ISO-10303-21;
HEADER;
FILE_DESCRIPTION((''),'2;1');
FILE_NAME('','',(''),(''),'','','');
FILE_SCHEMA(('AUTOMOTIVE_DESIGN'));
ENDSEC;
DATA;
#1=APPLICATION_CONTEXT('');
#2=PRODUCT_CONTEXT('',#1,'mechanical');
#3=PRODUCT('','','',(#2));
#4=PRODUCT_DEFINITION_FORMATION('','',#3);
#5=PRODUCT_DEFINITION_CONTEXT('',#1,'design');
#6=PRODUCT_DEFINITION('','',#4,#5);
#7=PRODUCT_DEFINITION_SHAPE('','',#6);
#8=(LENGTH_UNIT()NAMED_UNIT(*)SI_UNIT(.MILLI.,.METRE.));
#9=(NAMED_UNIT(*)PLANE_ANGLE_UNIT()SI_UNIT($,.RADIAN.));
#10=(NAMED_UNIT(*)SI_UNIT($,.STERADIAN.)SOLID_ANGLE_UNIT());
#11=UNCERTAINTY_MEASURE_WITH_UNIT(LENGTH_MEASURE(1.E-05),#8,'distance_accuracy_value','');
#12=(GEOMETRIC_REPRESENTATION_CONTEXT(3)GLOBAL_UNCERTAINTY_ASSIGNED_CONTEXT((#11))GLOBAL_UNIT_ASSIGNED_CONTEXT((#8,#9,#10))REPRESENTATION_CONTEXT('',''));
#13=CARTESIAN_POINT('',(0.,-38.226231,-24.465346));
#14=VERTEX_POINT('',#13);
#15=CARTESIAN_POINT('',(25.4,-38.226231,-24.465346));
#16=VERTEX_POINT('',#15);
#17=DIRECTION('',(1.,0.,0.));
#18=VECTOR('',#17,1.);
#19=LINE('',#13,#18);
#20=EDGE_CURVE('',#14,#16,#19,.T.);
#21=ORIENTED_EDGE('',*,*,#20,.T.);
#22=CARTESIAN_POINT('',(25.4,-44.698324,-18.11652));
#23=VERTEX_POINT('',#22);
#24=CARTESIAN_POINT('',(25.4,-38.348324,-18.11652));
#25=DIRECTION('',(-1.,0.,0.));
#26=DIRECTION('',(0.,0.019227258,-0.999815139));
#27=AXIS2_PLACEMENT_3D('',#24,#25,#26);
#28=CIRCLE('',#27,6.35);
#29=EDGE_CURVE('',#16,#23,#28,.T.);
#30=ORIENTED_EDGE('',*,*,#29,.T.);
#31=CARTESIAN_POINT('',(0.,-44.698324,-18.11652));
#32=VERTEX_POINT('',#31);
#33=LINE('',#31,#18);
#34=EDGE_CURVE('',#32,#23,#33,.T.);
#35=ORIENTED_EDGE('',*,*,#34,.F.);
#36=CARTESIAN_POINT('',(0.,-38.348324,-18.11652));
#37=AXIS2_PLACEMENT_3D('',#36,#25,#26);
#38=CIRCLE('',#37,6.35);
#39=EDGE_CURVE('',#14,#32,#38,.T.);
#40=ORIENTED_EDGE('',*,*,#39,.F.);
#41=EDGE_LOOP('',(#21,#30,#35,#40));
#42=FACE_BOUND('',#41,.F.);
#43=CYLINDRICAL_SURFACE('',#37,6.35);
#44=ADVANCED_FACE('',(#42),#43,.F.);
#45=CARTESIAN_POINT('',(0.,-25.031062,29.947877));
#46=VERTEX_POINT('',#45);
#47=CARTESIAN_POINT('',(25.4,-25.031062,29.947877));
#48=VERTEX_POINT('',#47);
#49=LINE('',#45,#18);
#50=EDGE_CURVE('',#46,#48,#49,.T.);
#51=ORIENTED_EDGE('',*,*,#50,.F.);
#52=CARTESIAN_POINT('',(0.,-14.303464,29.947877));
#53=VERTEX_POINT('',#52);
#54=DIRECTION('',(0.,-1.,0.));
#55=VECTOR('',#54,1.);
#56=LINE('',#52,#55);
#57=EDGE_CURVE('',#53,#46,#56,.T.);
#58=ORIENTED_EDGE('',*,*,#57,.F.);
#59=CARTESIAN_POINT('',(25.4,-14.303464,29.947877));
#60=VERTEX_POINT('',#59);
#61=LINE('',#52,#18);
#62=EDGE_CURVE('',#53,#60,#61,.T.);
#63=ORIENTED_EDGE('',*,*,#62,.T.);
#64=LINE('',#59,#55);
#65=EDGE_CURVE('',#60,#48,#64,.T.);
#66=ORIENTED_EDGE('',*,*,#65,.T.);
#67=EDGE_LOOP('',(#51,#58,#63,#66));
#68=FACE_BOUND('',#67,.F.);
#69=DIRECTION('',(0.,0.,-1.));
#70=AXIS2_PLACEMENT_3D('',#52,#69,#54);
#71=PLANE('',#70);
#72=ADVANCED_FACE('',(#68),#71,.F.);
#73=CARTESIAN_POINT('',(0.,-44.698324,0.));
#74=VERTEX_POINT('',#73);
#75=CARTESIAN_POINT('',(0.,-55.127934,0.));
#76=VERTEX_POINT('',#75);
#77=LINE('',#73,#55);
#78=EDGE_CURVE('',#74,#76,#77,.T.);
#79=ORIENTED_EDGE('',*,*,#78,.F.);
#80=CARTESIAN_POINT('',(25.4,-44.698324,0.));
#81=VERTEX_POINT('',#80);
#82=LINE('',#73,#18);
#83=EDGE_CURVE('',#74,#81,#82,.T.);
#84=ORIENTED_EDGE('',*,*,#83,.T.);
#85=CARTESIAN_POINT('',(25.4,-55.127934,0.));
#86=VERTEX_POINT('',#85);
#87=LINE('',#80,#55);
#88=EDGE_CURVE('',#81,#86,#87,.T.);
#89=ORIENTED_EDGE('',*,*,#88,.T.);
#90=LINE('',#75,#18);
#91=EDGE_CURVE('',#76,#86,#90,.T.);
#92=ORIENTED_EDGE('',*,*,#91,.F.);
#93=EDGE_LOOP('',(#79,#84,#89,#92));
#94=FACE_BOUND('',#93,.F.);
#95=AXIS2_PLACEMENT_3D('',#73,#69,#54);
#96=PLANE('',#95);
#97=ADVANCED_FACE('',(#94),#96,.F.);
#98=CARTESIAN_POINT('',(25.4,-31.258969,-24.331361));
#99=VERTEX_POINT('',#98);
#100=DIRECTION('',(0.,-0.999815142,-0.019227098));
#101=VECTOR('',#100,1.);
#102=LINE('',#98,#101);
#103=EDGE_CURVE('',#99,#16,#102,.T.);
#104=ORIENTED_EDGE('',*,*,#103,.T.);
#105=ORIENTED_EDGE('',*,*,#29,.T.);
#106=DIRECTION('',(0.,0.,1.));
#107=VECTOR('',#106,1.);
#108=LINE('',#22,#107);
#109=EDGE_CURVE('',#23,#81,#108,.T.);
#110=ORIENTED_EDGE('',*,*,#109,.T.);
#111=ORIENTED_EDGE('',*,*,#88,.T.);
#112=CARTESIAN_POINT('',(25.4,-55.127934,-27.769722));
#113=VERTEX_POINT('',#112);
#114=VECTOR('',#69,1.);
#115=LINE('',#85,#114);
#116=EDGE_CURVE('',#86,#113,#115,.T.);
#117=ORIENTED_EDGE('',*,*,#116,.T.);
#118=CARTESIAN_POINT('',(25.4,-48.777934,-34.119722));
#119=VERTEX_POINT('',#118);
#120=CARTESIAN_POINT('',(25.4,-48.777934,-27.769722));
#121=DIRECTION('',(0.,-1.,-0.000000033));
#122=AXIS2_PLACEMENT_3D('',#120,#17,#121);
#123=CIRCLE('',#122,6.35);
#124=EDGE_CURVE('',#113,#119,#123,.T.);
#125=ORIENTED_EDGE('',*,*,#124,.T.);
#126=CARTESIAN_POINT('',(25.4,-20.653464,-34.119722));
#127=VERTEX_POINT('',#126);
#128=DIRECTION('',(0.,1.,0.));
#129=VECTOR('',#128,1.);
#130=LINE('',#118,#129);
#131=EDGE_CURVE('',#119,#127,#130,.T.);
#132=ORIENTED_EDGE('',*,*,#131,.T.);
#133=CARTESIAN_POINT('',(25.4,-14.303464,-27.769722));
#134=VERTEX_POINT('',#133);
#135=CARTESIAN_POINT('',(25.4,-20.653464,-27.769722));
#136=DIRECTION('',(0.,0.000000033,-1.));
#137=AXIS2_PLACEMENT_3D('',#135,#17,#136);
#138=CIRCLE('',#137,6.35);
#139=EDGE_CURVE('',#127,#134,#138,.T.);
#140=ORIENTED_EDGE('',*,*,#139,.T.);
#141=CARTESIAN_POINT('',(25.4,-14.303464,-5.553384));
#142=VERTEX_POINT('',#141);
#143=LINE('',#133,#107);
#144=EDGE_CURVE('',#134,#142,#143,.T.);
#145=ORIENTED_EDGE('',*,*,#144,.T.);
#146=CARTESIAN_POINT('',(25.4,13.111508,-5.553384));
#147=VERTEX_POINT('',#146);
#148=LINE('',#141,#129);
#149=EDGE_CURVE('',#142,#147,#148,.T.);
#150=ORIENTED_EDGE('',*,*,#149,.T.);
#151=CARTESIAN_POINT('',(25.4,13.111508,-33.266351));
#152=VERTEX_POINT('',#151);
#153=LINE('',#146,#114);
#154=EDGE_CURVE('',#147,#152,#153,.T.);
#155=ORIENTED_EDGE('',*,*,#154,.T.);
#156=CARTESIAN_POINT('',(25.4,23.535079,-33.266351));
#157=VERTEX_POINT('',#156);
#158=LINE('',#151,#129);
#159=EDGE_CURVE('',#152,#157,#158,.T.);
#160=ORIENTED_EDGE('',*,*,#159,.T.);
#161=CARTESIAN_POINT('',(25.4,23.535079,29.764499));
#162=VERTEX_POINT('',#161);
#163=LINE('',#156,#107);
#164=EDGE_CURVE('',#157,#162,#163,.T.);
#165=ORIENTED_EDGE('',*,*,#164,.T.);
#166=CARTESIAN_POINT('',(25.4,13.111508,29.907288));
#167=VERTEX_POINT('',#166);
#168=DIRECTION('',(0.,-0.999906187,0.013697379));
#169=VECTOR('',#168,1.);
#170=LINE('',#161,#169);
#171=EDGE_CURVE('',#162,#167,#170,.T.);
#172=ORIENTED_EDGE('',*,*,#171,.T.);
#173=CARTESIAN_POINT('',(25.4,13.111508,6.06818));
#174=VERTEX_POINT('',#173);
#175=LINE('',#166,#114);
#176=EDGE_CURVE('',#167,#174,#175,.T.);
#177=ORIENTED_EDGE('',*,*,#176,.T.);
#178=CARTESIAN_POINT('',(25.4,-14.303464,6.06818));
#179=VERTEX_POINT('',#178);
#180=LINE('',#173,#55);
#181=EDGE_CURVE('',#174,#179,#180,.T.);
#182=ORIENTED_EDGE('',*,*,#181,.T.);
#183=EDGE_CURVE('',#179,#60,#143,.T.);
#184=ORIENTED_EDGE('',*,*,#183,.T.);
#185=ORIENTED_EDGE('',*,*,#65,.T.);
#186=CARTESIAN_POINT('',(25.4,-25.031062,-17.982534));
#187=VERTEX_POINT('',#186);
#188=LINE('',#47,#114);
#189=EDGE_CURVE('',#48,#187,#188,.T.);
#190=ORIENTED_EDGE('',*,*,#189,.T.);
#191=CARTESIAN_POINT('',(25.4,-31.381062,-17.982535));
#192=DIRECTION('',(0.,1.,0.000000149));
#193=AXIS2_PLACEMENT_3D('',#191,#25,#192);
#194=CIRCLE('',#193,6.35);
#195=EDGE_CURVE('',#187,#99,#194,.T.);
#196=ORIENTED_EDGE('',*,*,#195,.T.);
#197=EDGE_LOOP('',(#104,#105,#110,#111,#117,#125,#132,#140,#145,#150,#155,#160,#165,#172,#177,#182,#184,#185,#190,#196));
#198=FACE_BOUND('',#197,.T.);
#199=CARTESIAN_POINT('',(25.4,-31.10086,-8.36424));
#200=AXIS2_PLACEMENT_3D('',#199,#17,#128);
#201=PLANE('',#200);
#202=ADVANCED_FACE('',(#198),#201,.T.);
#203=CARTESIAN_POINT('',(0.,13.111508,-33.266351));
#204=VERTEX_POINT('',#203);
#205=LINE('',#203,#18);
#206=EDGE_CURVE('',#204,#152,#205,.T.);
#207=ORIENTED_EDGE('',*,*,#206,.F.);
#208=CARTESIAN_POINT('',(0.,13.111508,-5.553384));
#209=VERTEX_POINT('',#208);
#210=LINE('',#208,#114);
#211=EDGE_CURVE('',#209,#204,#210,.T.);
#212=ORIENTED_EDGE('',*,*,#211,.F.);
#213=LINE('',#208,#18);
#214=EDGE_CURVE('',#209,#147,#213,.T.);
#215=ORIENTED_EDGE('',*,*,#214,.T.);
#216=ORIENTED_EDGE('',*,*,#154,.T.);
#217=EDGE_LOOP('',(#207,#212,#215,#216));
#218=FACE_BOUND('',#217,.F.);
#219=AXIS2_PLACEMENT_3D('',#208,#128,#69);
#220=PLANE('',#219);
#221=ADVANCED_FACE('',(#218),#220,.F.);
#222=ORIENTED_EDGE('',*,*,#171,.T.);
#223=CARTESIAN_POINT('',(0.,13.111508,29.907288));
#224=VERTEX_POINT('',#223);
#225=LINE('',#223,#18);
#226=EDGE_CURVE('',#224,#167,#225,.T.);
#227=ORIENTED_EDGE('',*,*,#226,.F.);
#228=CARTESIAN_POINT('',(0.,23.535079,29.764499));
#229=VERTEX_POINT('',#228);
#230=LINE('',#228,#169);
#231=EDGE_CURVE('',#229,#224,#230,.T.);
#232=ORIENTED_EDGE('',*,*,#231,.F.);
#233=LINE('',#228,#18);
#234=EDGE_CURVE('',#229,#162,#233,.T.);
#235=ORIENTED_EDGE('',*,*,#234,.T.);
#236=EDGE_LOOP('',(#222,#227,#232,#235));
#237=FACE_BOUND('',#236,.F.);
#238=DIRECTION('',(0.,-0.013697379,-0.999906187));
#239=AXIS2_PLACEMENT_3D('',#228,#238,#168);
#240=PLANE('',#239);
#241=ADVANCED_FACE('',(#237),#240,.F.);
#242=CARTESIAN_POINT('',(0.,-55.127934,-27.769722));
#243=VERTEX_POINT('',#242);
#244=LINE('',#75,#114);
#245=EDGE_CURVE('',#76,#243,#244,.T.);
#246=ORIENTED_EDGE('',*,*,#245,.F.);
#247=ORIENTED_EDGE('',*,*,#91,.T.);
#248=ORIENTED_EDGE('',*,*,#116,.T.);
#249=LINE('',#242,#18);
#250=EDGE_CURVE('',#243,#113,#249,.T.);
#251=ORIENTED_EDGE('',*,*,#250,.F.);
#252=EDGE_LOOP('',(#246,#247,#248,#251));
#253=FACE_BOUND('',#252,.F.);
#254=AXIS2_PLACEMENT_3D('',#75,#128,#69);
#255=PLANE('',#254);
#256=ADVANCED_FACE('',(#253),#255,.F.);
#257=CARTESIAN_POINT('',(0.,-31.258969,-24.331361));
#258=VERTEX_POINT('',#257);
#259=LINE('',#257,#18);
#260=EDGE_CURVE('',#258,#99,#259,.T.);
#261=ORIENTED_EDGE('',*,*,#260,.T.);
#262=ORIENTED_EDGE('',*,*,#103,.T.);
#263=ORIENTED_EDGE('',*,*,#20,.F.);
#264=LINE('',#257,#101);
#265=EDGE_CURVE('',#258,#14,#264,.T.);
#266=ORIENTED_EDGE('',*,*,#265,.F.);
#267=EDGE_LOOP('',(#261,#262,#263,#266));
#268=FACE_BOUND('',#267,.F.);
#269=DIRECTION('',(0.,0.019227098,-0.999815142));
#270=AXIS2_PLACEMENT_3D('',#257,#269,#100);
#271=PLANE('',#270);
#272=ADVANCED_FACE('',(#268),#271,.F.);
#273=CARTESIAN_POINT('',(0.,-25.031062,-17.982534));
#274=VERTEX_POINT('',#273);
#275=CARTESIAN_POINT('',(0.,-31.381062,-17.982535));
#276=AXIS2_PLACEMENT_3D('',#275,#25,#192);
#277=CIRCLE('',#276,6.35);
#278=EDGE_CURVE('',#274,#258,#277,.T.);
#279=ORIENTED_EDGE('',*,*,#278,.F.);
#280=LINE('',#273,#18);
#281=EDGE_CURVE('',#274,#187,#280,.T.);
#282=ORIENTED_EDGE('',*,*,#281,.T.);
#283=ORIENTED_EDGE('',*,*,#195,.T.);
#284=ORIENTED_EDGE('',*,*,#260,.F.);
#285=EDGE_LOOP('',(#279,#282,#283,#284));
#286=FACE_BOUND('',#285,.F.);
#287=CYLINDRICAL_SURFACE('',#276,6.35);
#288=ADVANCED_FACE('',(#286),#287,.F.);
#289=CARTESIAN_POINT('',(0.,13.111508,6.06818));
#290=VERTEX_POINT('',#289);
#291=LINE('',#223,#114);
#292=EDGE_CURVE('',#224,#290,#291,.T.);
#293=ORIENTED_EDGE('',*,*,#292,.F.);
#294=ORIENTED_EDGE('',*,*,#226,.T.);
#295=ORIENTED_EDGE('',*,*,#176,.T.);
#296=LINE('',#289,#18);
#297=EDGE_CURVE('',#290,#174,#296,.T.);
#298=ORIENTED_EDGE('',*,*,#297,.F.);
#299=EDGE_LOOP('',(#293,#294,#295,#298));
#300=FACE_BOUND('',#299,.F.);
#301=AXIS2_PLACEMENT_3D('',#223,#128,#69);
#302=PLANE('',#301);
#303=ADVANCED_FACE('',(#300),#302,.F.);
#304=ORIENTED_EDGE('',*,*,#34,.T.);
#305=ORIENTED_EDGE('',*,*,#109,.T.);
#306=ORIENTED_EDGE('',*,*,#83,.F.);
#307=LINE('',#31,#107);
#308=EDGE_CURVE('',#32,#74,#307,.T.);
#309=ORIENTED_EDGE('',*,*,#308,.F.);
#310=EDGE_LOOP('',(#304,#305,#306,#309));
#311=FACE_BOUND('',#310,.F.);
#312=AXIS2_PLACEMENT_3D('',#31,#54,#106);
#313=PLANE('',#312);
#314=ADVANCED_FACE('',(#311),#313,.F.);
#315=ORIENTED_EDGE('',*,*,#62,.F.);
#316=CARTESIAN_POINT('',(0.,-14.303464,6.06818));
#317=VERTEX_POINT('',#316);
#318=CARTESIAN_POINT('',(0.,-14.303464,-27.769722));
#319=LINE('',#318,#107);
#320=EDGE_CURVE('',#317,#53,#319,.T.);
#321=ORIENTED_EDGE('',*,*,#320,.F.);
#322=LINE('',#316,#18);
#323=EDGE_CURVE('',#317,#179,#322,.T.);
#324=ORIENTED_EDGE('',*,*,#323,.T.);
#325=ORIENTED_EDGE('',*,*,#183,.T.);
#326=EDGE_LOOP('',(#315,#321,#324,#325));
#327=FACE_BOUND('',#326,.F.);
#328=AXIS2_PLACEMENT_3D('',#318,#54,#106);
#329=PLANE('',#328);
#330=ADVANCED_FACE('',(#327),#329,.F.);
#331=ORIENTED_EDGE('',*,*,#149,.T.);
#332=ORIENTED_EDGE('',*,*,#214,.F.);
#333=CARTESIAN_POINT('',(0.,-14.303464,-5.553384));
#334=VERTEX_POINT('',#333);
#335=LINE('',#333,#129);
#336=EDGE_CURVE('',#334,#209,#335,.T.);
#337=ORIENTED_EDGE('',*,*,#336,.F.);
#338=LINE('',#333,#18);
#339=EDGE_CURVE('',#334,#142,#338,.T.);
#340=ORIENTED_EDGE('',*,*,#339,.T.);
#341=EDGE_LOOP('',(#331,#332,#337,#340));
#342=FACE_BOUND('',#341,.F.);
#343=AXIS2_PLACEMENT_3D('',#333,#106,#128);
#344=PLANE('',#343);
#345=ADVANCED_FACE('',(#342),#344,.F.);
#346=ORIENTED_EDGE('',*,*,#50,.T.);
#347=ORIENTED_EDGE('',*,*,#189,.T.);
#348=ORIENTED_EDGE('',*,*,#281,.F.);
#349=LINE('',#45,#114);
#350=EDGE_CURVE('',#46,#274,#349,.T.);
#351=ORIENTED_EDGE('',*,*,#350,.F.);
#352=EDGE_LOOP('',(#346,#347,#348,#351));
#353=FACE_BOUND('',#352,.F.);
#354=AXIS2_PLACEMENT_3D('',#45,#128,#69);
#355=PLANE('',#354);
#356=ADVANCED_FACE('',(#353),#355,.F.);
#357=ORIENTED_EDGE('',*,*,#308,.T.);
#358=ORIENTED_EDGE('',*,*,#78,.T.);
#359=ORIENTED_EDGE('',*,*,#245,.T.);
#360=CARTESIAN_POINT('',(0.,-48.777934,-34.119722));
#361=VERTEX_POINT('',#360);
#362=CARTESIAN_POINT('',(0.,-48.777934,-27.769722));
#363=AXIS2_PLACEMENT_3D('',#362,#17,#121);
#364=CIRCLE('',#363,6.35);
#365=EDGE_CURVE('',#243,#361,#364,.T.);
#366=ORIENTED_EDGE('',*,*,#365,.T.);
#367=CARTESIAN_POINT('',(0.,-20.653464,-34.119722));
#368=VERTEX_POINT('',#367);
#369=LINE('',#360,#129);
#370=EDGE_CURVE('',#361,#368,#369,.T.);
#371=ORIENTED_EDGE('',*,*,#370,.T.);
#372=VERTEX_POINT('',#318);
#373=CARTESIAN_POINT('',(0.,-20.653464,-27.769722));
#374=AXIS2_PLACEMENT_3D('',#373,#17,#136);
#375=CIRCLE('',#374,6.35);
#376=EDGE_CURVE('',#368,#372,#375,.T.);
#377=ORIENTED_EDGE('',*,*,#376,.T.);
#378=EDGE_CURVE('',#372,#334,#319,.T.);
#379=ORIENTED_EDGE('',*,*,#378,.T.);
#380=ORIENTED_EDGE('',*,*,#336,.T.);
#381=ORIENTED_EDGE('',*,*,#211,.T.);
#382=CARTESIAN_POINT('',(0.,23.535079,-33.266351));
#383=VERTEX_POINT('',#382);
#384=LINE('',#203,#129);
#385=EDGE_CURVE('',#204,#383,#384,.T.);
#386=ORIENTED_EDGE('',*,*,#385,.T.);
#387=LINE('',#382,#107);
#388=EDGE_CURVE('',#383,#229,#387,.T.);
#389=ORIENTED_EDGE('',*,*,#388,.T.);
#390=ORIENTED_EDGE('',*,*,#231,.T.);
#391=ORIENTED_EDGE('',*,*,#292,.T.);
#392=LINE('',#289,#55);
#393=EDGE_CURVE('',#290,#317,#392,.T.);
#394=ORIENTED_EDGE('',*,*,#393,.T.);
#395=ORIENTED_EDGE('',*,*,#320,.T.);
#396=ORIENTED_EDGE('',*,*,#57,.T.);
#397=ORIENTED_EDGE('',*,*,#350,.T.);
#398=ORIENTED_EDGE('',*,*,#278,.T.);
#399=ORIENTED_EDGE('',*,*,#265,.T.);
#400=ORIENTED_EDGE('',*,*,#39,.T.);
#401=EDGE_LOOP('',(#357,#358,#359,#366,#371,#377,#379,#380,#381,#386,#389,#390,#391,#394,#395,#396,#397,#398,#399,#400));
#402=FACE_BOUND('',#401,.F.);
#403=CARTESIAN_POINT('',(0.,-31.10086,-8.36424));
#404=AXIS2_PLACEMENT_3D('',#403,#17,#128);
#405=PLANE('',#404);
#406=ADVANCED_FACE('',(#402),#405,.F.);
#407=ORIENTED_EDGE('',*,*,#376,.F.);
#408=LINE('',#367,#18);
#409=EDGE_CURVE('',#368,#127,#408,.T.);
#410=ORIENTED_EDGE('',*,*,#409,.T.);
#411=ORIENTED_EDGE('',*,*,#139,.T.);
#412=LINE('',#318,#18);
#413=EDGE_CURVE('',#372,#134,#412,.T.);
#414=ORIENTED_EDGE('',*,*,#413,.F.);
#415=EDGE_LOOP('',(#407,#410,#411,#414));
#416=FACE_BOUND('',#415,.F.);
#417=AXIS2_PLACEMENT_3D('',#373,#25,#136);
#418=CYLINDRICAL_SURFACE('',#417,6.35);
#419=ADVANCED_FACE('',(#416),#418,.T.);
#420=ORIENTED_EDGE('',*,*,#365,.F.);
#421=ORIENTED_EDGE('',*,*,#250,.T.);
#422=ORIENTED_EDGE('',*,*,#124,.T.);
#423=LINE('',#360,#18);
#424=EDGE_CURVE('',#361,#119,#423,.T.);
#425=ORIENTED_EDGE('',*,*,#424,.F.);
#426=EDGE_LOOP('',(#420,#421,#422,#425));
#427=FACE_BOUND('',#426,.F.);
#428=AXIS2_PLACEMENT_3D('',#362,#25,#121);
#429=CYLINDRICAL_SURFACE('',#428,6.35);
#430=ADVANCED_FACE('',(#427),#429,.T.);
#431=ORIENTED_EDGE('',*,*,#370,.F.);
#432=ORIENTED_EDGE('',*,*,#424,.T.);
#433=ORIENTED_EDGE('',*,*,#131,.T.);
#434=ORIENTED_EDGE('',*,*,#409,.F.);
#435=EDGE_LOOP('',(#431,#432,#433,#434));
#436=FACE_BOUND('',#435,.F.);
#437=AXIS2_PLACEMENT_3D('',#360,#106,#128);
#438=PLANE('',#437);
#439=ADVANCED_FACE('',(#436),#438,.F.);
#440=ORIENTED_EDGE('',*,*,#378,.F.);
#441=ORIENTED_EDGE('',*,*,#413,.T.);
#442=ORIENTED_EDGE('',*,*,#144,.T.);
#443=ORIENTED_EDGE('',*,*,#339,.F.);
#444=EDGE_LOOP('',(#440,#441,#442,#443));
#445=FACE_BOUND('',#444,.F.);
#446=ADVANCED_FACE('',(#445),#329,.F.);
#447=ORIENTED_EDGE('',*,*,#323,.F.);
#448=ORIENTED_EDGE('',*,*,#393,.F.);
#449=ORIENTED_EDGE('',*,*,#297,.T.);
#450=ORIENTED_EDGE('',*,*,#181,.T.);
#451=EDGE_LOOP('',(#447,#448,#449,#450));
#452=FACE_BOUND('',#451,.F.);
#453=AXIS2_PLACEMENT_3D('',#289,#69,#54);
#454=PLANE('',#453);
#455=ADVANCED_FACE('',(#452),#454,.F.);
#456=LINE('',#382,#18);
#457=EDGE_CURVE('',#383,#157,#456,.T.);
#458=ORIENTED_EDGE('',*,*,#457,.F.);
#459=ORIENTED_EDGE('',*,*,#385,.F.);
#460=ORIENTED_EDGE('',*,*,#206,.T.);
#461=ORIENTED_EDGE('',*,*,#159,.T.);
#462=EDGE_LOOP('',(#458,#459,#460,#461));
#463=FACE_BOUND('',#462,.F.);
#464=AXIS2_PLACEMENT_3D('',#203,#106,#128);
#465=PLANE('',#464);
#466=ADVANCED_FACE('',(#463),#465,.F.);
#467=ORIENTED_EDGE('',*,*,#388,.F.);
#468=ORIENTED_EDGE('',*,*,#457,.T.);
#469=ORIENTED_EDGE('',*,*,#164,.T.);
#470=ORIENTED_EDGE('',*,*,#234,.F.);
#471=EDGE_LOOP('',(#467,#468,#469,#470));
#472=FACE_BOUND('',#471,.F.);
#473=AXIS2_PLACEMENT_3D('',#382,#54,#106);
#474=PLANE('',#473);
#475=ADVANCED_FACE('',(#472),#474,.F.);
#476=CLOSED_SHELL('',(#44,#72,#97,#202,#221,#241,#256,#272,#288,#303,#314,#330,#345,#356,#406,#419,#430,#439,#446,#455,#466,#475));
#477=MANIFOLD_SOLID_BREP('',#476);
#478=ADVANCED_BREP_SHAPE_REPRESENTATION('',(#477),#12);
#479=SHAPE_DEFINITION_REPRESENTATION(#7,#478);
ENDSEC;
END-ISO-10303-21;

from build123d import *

# Parameters (mm, degrees)
F1_DEPTH = 25.4
F2_DEPTH = 25.4


with BuildPart() as f1:
    # F0 (on Right) → F1 (new body)
    with BuildSketch(Plane.YZ):
        with BuildLine():
            Line((-14.303464, 29.947877), (-25.031062, 29.947877))
            Line((-25.031062, 29.947877), (-25.031062, -17.982534))
            ThreePointArc((-25.031062, -17.982534), (-26.847973, -22.429287), (-31.258969, -24.331361))
            Line((-31.258969, -24.331361), (-38.226231, -24.465346))
            ThreePointArc((-38.226231, -24.465346), (-42.795076, -22.649609), (-44.698324, -18.11652))
            Line((-44.698324, -18.11652), (-44.698324, 0))
            Line((-44.698324, 0), (-55.127934, 0))
            Line((-55.127934, 0), (-55.127934, -27.769722))
            ThreePointArc((-55.127934, -27.769722), (-53.268062, -32.25985), (-48.777934, -34.119722))
            Line((-48.777934, -34.119722), (-20.653464, -34.119722))
            ThreePointArc((-20.653464, -34.119722), (-16.163336, -32.25985), (-14.303464, -27.769722))
            Line((-14.303464, -27.769722), (-14.303464, -5.553384))
            Line((-14.303464, -5.553384), (-14.303464, 6.06818))
            Line((-14.303464, 6.06818), (-14.303464, 29.947877))
        make_face()
    extrude(amount=F1_DEPTH)

    # F0 (on Right) → F2 (join)
    with BuildSketch(Plane.YZ):
        with BuildLine():
            Line((-14.303464, 29.947877), (-25.031062, 29.947877))
            Line((-25.031062, 29.947877), (-25.031062, -17.982534))
            ThreePointArc((-25.031062, -17.982534), (-26.847973, -22.429287), (-31.258969, -24.331361))
            Line((-31.258969, -24.331361), (-38.226231, -24.465346))
            ThreePointArc((-38.226231, -24.465346), (-42.795076, -22.649609), (-44.698324, -18.11652))
            Line((-44.698324, -18.11652), (-44.698324, 0))
            Line((-44.698324, 0), (-55.127934, 0))
            Line((-55.127934, 0), (-55.127934, -27.769722))
            ThreePointArc((-55.127934, -27.769722), (-53.268062, -32.25985), (-48.777934, -34.119722))
            Line((-48.777934, -34.119722), (-20.653464, -34.119722))
            ThreePointArc((-20.653464, -34.119722), (-16.163336, -32.25985), (-14.303464, -27.769722))
            Line((-14.303464, -27.769722), (-14.303464, -5.553384))
            Line((-14.303464, -5.553384), (-14.303464, 6.06818))
            Line((-14.303464, 6.06818), (-14.303464, 29.947877))
        make_face()
        Polygon((13.111508, 6.06818), (-14.303464, 6.06818), (-14.303464, -5.553384), (13.111508, -5.553384), (13.111508, -33.266351), (23.535079, -33.266351), (23.535079, 29.764499), (13.111508, 29.907288), align=None)
    extrude(amount=F2_DEPTH)


solid = f1.part
